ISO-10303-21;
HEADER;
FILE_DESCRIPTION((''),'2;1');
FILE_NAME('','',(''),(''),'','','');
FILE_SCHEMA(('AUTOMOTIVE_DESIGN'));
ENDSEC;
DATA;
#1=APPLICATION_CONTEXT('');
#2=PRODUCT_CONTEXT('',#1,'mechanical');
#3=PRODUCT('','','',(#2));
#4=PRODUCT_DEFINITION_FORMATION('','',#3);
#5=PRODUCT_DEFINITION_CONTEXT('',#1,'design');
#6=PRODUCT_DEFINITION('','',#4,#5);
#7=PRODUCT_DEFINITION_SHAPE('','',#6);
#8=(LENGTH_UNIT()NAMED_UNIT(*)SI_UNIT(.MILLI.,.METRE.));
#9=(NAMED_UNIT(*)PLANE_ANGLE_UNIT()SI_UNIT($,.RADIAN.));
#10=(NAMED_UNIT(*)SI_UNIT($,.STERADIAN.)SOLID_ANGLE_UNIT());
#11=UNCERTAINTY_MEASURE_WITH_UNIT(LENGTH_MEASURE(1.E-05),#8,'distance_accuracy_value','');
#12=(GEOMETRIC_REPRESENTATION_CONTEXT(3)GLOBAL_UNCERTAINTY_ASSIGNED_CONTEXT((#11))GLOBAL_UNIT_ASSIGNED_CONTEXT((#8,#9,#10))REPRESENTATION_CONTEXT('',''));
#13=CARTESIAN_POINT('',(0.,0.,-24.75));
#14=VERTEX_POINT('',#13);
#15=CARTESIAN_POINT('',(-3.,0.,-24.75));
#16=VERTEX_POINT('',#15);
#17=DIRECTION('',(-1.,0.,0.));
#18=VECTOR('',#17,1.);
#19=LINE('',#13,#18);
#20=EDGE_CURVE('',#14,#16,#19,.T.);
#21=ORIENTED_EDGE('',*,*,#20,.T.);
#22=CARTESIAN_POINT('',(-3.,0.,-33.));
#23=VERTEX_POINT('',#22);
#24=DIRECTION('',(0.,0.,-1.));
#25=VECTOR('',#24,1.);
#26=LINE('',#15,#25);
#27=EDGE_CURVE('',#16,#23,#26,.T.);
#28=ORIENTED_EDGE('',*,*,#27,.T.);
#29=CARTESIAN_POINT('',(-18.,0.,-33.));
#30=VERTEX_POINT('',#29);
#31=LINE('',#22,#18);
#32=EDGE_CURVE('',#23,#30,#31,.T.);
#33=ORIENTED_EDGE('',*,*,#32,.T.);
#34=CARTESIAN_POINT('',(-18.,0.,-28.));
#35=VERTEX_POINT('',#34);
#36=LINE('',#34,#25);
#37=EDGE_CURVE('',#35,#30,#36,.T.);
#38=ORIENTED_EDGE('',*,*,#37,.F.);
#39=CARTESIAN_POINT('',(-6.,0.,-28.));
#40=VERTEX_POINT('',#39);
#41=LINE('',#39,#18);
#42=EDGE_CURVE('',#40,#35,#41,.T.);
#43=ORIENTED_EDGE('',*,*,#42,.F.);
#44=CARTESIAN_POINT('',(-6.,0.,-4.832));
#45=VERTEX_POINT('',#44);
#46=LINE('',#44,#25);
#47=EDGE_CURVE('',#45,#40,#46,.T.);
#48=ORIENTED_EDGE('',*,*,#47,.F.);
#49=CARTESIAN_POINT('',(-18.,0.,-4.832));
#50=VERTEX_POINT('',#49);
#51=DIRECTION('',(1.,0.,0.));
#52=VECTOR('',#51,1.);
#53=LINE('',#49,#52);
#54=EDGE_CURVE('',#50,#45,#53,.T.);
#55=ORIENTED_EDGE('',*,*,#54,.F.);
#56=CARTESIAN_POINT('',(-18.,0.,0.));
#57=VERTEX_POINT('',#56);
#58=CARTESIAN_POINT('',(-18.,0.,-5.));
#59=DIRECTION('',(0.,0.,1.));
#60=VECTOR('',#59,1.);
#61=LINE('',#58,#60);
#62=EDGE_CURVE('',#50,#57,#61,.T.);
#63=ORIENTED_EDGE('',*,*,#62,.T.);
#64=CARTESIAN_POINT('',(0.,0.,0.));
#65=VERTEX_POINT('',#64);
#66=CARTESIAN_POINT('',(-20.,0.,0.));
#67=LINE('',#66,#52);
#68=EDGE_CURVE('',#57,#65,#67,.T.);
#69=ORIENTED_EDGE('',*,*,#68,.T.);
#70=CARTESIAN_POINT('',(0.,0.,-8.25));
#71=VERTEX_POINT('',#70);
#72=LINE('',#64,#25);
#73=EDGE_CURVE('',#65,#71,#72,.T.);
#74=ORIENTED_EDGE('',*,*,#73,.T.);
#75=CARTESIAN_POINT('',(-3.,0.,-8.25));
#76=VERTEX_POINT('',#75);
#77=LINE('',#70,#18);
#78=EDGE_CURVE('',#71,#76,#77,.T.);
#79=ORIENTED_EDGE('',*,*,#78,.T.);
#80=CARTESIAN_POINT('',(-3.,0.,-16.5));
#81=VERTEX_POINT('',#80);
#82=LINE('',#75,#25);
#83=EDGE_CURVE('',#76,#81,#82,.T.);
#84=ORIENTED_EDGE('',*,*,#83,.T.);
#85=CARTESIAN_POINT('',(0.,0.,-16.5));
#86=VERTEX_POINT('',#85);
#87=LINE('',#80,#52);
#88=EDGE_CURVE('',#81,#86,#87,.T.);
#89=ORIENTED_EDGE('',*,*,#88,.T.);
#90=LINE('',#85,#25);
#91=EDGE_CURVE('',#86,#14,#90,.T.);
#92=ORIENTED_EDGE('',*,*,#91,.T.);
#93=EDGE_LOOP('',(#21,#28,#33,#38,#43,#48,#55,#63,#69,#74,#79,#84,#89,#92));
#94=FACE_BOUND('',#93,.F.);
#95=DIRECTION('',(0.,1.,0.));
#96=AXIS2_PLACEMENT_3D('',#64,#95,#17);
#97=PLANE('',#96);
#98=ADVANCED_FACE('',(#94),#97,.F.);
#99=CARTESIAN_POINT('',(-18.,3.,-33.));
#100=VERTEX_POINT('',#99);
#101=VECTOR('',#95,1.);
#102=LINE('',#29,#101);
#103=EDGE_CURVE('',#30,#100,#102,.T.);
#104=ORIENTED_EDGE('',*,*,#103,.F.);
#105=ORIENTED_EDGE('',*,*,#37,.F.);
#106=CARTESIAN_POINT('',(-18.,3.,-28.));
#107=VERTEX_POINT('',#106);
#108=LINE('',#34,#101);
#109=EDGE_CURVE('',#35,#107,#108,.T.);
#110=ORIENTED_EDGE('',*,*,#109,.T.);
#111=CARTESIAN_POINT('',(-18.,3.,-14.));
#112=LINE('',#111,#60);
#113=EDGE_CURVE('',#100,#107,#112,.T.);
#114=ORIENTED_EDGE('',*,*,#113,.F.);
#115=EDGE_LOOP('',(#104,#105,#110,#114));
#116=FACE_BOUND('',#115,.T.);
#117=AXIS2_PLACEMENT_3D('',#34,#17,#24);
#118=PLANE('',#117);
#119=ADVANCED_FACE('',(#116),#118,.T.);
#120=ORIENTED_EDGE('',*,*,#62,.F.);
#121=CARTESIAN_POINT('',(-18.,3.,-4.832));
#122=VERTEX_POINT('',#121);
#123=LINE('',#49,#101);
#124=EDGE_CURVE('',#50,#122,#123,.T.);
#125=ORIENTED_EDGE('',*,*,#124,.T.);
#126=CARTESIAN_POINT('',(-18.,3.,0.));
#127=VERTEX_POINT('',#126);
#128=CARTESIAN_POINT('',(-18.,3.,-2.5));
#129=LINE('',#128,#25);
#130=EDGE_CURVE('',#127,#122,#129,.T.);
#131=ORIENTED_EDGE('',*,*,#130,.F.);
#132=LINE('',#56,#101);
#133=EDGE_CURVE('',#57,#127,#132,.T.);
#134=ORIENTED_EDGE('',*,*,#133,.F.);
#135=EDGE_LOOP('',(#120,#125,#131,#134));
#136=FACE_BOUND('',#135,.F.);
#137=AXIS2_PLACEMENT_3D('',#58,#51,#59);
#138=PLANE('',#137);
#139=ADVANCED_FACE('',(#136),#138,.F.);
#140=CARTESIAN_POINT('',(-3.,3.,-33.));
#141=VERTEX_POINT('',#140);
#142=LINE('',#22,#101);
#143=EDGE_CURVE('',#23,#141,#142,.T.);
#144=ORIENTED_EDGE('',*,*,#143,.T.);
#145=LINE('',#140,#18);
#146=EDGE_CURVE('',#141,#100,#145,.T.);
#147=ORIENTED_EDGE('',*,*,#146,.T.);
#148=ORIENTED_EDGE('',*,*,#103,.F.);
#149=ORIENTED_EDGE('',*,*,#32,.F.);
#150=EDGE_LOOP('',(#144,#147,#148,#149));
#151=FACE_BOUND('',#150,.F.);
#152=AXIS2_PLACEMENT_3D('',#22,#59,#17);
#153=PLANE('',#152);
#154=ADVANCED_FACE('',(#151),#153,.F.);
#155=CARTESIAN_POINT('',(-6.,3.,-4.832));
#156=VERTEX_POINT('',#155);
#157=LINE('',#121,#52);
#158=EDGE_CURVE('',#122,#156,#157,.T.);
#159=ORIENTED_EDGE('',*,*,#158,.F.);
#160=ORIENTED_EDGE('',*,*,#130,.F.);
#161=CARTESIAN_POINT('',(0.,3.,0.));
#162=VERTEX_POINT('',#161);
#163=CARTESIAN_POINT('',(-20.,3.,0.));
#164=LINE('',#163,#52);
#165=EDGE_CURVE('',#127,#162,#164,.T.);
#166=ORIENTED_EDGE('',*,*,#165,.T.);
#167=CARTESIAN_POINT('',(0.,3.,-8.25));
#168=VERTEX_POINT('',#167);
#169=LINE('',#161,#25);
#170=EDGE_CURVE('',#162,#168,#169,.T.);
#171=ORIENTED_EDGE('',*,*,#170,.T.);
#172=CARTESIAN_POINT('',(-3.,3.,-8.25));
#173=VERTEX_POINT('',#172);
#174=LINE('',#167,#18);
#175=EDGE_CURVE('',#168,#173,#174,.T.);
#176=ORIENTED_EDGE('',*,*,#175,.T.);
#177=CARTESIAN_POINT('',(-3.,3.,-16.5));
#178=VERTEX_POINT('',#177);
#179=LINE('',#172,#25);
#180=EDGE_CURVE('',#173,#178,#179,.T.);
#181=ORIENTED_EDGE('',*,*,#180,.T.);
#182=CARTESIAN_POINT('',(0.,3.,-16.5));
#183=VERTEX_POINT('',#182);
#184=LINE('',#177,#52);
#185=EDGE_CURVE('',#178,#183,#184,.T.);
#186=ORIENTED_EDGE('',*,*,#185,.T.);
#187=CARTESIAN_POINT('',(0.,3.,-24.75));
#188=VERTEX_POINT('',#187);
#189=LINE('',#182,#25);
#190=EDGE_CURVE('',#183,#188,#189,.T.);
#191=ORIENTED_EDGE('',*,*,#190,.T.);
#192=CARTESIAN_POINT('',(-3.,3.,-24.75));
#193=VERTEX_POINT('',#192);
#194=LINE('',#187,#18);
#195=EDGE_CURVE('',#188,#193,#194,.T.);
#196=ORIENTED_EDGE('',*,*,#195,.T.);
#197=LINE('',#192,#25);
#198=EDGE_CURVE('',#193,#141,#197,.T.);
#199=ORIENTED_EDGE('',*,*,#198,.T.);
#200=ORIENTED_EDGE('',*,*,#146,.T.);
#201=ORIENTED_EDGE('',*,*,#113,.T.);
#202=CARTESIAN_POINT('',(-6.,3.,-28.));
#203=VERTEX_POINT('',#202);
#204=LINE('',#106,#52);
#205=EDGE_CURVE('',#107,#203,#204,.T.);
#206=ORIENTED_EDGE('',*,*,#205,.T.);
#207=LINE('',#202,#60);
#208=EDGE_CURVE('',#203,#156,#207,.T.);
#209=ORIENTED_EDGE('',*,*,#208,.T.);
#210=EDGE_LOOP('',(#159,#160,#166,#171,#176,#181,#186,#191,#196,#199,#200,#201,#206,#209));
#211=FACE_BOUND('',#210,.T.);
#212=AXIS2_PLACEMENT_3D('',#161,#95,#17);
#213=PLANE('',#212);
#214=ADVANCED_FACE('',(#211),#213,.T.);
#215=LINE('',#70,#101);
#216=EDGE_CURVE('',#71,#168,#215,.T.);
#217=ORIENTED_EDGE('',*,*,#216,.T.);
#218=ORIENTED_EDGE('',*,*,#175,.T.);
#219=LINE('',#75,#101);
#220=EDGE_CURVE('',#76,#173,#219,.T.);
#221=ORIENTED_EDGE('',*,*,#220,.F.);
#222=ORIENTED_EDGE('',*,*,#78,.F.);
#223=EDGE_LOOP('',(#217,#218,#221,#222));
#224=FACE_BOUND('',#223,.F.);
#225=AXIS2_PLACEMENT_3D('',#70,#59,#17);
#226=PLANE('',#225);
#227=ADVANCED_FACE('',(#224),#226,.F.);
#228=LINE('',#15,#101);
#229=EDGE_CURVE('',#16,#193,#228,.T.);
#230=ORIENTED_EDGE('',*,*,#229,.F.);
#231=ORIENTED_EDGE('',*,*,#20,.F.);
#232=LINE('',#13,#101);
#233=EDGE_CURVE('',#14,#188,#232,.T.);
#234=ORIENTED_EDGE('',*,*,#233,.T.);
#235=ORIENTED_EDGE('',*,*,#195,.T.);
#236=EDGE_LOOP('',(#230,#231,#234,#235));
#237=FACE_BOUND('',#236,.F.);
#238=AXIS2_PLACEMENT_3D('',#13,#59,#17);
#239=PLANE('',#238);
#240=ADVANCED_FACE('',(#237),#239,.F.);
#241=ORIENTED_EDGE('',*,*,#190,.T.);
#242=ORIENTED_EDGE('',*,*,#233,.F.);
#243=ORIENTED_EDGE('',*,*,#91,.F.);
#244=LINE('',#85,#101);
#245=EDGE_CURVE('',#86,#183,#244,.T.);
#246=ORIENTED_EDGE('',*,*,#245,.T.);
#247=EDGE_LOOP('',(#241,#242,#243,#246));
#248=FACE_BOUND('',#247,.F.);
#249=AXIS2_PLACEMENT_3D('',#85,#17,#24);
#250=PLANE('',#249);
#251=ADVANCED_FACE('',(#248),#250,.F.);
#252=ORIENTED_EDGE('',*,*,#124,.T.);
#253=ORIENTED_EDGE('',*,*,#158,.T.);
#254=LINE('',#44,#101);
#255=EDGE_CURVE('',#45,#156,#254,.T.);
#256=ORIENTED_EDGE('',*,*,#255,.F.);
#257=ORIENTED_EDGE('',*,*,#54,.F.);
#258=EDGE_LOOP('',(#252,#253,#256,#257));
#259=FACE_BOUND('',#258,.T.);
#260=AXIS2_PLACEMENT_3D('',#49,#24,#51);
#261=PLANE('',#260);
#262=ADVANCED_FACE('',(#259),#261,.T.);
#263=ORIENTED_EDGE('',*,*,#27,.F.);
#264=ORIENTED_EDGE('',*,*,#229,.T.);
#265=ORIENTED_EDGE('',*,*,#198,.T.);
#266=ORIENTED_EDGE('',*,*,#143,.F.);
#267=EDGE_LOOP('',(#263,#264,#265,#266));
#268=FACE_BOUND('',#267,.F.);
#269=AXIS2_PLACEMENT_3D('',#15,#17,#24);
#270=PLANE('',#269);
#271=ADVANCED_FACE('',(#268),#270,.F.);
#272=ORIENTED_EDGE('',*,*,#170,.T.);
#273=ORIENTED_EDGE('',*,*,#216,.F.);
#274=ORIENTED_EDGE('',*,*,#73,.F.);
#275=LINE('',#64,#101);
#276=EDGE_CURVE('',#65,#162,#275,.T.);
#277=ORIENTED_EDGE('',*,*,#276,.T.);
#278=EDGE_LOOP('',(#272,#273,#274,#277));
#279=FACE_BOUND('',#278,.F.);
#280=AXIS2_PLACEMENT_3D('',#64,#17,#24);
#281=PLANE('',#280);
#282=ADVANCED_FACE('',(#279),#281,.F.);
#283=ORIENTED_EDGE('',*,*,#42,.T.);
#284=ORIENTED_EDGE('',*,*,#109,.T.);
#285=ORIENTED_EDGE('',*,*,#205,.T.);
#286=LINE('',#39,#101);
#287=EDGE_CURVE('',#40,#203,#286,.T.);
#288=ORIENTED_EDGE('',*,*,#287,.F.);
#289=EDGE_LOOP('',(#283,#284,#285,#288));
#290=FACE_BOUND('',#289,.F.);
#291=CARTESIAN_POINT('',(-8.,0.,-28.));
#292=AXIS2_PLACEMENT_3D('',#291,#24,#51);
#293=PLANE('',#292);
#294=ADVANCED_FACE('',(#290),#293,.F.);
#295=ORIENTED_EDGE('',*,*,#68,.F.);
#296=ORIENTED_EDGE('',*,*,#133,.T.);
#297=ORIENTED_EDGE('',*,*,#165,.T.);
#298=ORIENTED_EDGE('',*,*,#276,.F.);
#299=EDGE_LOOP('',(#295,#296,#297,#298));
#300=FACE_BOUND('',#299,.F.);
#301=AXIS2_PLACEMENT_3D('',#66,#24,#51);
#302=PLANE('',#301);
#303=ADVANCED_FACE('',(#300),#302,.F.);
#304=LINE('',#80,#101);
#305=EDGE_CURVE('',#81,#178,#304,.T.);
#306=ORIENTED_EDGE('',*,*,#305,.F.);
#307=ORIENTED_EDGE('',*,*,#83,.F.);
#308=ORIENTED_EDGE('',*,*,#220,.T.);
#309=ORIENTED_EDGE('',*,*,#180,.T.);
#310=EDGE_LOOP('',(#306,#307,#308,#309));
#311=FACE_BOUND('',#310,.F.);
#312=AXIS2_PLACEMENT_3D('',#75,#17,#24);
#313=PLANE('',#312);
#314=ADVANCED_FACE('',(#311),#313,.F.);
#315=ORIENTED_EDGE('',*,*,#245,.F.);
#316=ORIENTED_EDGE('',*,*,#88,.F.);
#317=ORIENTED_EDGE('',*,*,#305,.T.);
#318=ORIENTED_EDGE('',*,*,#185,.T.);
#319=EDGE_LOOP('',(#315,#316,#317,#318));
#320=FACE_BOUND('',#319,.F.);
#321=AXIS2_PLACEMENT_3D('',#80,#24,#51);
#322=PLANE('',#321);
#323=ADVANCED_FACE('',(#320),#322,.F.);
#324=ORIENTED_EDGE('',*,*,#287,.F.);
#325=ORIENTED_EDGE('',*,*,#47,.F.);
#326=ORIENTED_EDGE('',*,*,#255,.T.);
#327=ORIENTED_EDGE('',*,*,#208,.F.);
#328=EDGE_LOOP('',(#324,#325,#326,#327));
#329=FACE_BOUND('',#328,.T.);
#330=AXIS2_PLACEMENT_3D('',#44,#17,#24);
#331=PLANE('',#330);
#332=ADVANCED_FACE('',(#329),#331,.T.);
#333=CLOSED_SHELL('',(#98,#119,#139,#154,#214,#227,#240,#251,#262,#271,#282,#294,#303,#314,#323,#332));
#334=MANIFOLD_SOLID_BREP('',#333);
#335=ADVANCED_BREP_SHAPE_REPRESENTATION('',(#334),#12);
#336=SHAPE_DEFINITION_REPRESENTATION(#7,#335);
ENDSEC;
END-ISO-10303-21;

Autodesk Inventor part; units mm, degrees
ref_plane "YZ Plane" through (0, 0, 0) normal (1, 0, 0) x (0, 1, 0)
ref_plane "XZ Plane" through (0, 0, 0) normal (0, 1, 0) x (-1, 0, 0)
ref_plane "XY Plane" through (0, 0, 0) normal (0, 0, 1) x (1, 0, 0)
sketch "Boceto1" plane through (0, 0, 0) normal (0, 1, 0) x (-1, 0, 0)
  line L0 (0, 0) -> (0, -8.25)
  line L1 (0, -8.25) -> (3, -8.25)
  line L2 (3, -8.25) -> (3, -16.5)
  line L3 (3, -16.5) -> (0, -16.5)
  line L4 (0, -16.5) -> (0, -24.75)
  line L5 (0, -24.75) -> (3, -24.75)
  line L6 (3, -24.75) -> (3, -33)
  line L7 (3, -33) -> (20, -33)
  line L8 (20, 0) -> (0, 0)
  line L9 (20, -28) -> (8, -28)
  line L10 (8, -28) -> (8, -5)
  line L11 (8, -5) -> (20, -5)
  line L12 (20, -33) -> (20, -28)
  line L13 (20, -5) -> (20, 0)
  dimension "d0" = 8.25
  dimension "d1" = 3
  dimension "d3" = 8.25
extrude "Extrusión1" add sketch "Boceto1" along normal blind 3
sketch "Boceto2" plane through (0, 0, 0) normal (0, -1, 0) x (1, 0, 0)
  line L0 (-8, -28) -> (-8, -5) projected
  line L1 (-8, -5) -> (-8, -28)
  line L2 (-8, -28) -> (-6, -28)
  line L3 (-6, -28) -> (-6, -5)
  line L4 (-6, -5) -> (-8, -5)
  line L5 (-20, 0) -> (-20, -5)
  line L6 (-20, -5) -> (-18, -5)
  line L7 (-18, -5) -> (-18, 0)
  line L8 (-18, 0) -> (-20, 0)
  line L9 (-20, -33) -> (-20, -28)
  line L10 (-20, -28) -> (-18, -28)
  line L11 (-18, -28) -> (-18, -33)
  line L12 (-18, -33) -> (-20, -33)
extrude "Extrusión2" cut sketch "Boceto2" against normal blind 10
sketch "Boceto5" plane through (0, 0, 0) normal (0, -1, 0) x (1, 0, 0)
  line L0 (-18, -5) -> (-6, -5) projected
  line L1 (-18, -5) -> (-18, -4.832)
  line L2 (-18, -5) -> (-18, 0) projected
  line L3 (-18, -4.832) -> (-6, -4.832)
  line L4 (-6, -5) -> (-6, -28) projected
  line L5 (-6, -4.832) -> (-6, -5)
  line L6 (-6, -5) -> (-18, -5)
  point P0 (0, 0)
  dimension "d22" = 0.168
extrude "Extrusión4" cut sketch "Boceto5" against normal blind 3
properties part number "muñeca7"
